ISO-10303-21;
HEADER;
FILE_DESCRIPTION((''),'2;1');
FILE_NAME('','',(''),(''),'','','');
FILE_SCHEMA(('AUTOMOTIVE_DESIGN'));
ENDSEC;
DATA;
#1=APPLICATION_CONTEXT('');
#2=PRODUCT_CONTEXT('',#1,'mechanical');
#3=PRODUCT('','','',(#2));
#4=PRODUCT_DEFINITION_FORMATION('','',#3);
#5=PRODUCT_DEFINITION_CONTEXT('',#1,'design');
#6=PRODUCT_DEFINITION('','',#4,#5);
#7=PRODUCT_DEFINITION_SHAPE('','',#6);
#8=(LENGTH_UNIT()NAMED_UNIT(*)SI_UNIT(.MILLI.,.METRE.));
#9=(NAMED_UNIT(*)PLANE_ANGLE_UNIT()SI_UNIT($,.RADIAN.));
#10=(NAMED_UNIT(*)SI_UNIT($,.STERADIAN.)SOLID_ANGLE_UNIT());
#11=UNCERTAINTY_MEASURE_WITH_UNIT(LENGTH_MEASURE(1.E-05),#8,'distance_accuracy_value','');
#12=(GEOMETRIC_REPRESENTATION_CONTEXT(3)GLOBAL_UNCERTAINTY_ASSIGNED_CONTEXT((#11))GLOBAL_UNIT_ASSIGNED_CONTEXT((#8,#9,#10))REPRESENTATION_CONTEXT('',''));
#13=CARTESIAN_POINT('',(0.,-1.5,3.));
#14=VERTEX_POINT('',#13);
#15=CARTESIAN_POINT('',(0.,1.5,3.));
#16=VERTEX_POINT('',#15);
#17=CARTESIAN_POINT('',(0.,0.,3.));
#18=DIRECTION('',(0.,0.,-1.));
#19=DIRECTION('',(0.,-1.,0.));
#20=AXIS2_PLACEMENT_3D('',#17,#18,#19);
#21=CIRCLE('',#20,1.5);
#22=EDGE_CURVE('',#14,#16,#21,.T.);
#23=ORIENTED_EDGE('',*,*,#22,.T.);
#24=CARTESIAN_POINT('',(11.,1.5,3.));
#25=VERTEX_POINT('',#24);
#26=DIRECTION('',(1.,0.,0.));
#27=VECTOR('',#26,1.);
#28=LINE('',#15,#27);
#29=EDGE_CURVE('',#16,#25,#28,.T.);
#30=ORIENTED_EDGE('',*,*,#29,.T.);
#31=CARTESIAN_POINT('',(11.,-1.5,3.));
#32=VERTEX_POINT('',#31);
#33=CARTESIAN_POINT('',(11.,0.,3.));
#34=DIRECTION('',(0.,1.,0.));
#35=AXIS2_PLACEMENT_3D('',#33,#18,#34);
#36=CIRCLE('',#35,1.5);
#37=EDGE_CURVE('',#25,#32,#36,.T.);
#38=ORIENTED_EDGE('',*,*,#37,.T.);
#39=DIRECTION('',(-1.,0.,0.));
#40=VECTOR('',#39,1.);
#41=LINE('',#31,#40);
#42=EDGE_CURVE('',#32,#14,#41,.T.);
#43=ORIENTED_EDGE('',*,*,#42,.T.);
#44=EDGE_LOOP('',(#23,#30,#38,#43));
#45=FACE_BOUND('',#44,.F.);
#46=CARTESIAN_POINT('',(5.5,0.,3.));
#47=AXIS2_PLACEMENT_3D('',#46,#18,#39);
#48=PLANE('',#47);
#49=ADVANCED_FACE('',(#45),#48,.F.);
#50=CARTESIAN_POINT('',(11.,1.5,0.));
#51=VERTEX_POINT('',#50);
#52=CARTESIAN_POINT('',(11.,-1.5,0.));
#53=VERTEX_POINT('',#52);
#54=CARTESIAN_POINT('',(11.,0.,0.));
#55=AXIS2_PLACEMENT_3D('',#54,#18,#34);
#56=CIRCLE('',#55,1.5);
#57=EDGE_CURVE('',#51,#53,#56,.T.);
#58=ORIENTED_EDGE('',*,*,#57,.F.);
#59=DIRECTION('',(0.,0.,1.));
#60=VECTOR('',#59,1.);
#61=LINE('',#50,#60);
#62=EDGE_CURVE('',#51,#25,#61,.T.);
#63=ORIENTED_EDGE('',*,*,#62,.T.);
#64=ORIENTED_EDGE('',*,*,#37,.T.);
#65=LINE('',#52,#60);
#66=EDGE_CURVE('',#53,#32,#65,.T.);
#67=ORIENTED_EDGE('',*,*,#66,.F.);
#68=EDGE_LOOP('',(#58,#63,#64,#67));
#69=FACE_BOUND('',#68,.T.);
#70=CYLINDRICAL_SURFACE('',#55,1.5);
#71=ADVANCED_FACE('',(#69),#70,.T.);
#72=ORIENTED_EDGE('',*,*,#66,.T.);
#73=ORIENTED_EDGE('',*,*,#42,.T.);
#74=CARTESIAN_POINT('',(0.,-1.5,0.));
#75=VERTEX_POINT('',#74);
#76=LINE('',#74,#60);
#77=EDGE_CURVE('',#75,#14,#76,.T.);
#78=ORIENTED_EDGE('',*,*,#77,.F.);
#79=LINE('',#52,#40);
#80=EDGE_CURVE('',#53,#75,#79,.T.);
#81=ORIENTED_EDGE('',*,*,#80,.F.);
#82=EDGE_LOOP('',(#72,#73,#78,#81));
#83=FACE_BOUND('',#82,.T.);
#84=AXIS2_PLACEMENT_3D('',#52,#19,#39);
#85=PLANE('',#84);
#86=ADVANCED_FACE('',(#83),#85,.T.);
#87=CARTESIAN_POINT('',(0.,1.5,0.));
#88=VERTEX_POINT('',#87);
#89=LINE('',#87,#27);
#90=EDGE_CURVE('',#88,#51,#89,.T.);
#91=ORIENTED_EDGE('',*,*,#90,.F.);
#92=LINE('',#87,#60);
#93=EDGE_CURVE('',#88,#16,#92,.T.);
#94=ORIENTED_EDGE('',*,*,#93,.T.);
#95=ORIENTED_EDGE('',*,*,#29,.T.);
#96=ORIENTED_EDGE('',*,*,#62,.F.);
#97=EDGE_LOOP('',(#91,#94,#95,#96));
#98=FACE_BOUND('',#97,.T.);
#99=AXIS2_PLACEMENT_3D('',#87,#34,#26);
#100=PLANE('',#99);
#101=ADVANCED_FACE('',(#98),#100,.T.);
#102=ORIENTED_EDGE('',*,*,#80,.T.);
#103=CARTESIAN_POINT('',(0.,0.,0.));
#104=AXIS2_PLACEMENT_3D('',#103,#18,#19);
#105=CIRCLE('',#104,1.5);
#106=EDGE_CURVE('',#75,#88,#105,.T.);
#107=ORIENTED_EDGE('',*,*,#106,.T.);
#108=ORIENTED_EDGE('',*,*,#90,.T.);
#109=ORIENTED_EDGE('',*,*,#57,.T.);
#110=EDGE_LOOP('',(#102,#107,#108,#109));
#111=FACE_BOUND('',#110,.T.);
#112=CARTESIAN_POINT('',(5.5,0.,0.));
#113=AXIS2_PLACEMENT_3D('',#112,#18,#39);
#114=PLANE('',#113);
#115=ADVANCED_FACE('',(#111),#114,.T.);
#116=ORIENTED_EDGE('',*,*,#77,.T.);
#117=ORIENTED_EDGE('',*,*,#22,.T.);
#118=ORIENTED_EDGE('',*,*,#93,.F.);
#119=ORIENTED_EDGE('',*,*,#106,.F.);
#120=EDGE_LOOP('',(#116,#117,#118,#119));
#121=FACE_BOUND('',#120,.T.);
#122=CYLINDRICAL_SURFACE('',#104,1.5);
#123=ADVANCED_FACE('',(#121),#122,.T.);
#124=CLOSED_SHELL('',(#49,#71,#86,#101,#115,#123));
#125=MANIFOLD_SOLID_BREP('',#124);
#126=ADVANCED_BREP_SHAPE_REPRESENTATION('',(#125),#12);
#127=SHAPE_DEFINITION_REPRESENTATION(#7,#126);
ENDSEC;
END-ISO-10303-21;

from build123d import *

# Parameters (mm, degrees)
BOSS_EXTRUDE1_DEPTH = 3


with BuildPart() as part:
    # Sketch1 → Boss-Extrude1 (new body)
    with BuildSketch(Plane.XY):
        with BuildLine():
            Line((0, 1.5), (11, 1.5))
            ThreePointArc((11, 1.5), (12.5, 0), (11, -1.5))
            Line((11, -1.5), (0, -1.5))
            ThreePointArc((0, -1.5), (-1.5, 0), (0, 1.5))
        make_face()
    extrude(amount=BOSS_EXTRUDE1_DEPTH)


solid = part.part
